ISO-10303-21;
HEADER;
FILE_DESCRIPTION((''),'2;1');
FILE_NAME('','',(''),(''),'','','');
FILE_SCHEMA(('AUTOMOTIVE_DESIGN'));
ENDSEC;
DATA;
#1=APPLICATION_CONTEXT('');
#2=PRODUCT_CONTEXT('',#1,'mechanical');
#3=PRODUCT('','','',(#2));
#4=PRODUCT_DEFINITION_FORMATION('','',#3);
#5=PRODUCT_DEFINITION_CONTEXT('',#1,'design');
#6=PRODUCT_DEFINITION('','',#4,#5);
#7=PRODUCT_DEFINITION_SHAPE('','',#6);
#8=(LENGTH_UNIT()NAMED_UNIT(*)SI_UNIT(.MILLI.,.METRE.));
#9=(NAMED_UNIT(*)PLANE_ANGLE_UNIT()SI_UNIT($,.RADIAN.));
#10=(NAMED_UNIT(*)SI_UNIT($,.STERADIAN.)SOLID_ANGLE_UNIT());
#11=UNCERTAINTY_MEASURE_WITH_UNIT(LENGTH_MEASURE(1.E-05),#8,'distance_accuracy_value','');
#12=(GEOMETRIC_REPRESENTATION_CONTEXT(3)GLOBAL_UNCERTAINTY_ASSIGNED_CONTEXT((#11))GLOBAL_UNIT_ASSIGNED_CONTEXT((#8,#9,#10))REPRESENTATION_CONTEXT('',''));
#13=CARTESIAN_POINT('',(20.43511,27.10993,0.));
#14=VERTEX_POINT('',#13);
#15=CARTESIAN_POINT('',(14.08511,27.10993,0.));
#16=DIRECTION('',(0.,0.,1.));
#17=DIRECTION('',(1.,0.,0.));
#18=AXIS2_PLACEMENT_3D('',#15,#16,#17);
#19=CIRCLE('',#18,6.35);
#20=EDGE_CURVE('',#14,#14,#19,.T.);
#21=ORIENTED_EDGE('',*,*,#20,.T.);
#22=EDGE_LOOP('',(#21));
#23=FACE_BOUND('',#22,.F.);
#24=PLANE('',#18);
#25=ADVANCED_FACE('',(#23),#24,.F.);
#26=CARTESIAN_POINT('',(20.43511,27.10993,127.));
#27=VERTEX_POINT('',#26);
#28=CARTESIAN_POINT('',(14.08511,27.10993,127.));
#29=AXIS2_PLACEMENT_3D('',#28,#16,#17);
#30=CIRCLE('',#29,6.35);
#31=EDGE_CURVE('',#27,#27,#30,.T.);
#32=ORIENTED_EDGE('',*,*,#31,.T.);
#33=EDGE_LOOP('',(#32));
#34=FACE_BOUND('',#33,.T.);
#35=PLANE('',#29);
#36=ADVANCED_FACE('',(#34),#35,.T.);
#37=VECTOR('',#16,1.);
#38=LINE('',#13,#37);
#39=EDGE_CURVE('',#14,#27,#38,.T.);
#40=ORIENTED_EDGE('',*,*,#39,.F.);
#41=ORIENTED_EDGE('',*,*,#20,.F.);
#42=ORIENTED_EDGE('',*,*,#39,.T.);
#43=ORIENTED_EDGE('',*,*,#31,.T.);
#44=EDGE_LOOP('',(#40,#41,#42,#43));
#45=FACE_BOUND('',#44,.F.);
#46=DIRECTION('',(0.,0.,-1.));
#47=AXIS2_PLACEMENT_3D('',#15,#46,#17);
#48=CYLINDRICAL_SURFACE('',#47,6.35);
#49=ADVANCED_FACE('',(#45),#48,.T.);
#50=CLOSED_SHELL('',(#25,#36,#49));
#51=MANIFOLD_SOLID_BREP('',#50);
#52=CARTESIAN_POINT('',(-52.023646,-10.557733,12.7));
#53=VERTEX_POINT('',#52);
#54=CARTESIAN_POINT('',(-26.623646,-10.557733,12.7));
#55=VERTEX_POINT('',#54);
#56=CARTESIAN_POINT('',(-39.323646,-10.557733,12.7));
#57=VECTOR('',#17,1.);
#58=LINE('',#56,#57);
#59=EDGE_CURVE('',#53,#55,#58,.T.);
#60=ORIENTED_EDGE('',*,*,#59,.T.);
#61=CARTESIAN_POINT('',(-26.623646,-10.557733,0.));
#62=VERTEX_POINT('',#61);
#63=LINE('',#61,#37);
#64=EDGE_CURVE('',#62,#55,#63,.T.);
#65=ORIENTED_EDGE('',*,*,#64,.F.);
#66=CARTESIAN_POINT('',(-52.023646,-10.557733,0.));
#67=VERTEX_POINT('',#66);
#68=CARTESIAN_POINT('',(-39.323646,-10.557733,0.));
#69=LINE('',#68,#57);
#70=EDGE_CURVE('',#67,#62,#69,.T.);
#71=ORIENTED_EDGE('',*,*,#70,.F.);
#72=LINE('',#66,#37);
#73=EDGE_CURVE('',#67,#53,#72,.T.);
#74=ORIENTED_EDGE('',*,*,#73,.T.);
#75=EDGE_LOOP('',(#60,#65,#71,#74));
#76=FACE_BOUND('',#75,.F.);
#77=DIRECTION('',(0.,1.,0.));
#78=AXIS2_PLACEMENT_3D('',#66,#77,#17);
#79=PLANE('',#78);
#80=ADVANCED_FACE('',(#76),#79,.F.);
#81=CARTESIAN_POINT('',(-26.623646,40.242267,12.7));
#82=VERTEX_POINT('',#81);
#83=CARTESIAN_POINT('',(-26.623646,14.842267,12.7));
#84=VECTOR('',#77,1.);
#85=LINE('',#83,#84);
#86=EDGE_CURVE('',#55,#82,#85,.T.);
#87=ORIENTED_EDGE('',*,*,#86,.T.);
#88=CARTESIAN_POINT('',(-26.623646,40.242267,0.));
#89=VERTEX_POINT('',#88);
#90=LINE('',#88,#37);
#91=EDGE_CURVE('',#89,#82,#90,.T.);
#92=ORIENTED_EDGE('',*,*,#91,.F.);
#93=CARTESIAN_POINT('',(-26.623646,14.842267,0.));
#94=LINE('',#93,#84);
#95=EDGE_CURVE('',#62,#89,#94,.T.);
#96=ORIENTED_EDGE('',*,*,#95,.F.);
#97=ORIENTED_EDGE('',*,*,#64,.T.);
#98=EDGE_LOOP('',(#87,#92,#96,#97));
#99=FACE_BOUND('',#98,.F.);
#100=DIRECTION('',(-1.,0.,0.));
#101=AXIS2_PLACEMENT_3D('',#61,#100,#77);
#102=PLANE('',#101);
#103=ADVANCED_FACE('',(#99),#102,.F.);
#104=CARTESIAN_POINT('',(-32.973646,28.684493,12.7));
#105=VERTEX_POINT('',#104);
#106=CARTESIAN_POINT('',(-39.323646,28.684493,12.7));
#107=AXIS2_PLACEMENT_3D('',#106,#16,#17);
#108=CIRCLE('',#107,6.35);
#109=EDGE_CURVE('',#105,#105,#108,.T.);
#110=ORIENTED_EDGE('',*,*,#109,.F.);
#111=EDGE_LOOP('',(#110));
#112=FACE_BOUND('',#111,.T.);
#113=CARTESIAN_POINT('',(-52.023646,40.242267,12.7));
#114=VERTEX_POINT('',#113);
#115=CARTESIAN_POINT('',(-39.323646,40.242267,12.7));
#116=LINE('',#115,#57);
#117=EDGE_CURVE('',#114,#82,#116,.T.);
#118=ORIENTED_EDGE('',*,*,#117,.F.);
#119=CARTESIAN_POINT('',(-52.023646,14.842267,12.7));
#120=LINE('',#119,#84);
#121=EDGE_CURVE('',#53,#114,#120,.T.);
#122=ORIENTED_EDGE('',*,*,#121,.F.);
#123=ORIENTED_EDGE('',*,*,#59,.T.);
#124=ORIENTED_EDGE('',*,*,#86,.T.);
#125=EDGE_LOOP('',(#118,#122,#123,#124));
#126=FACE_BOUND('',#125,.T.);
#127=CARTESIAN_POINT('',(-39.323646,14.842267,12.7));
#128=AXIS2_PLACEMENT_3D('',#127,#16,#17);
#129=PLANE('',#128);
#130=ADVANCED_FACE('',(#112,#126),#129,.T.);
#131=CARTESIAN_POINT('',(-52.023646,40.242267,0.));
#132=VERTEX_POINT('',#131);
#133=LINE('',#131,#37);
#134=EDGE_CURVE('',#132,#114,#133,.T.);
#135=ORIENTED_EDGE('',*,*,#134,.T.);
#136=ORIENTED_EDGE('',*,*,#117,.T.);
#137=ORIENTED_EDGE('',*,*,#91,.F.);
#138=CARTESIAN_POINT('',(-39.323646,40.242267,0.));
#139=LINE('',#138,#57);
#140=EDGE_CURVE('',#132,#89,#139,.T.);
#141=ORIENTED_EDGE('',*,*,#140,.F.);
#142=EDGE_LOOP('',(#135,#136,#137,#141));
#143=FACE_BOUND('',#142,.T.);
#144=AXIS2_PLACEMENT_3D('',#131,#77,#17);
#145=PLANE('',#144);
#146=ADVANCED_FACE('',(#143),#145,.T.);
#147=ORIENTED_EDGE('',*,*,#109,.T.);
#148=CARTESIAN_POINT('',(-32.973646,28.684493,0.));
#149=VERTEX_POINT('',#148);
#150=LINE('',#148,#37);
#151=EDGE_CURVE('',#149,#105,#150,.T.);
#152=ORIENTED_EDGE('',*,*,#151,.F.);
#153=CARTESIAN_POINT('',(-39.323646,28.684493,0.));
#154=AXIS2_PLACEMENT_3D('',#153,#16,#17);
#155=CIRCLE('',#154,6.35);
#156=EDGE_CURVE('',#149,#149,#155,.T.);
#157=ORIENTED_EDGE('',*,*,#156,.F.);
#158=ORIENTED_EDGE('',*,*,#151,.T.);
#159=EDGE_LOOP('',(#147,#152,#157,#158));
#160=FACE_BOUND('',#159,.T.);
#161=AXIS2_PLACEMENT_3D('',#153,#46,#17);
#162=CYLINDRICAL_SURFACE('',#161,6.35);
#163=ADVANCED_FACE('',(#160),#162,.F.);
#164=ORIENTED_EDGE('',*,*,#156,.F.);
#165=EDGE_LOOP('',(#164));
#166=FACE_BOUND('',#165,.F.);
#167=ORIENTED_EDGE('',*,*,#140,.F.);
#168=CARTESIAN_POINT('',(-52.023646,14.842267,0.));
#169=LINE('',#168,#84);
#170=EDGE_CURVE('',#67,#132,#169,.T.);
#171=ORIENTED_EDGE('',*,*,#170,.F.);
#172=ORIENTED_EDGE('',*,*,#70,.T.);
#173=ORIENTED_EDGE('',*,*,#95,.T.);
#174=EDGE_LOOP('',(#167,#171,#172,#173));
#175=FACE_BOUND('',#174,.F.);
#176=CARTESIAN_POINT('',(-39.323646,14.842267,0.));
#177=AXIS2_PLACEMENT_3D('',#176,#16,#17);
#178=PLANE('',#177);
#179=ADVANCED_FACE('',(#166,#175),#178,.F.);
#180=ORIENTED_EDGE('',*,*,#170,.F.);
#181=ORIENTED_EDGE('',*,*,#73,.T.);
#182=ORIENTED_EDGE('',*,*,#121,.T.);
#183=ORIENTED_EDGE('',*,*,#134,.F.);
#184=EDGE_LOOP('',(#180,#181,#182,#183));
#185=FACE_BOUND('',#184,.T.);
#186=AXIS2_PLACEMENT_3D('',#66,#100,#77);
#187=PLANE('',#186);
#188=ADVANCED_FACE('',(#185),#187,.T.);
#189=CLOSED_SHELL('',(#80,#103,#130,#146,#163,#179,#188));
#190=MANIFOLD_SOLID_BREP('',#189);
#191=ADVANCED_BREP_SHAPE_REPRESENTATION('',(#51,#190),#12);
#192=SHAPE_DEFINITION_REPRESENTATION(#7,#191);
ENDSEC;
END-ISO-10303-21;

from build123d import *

# Parameters (mm, degrees)
F0_W     = 25.4
F0_H     = 50.8
F0_R     = 6.35
F1_DEPTH = 12.7
F2_R     = 6.35
F3_DEPTH = 127


with BuildPart() as f1:
    # F0 (on Top) → F1 (new body)
    with BuildSketch(Plane.XY):
        with Locations((-39.323646, 14.842267)):
            Rectangle(F0_W, F0_H)
        with Locations((-39.323646, 28.684493)):
            Circle(F0_R, mode=Mode.SUBTRACT)
    extrude(amount=F1_DEPTH)


with BuildPart() as f3:
    # F2 (on Top) → F3 (new body)
    with BuildSketch(Plane.XY):
        with Locations((14.08511, 27.10993)):
            Circle(F2_R)
    extrude(amount=F3_DEPTH)


solid = Compound([f1.part, f3.part])
